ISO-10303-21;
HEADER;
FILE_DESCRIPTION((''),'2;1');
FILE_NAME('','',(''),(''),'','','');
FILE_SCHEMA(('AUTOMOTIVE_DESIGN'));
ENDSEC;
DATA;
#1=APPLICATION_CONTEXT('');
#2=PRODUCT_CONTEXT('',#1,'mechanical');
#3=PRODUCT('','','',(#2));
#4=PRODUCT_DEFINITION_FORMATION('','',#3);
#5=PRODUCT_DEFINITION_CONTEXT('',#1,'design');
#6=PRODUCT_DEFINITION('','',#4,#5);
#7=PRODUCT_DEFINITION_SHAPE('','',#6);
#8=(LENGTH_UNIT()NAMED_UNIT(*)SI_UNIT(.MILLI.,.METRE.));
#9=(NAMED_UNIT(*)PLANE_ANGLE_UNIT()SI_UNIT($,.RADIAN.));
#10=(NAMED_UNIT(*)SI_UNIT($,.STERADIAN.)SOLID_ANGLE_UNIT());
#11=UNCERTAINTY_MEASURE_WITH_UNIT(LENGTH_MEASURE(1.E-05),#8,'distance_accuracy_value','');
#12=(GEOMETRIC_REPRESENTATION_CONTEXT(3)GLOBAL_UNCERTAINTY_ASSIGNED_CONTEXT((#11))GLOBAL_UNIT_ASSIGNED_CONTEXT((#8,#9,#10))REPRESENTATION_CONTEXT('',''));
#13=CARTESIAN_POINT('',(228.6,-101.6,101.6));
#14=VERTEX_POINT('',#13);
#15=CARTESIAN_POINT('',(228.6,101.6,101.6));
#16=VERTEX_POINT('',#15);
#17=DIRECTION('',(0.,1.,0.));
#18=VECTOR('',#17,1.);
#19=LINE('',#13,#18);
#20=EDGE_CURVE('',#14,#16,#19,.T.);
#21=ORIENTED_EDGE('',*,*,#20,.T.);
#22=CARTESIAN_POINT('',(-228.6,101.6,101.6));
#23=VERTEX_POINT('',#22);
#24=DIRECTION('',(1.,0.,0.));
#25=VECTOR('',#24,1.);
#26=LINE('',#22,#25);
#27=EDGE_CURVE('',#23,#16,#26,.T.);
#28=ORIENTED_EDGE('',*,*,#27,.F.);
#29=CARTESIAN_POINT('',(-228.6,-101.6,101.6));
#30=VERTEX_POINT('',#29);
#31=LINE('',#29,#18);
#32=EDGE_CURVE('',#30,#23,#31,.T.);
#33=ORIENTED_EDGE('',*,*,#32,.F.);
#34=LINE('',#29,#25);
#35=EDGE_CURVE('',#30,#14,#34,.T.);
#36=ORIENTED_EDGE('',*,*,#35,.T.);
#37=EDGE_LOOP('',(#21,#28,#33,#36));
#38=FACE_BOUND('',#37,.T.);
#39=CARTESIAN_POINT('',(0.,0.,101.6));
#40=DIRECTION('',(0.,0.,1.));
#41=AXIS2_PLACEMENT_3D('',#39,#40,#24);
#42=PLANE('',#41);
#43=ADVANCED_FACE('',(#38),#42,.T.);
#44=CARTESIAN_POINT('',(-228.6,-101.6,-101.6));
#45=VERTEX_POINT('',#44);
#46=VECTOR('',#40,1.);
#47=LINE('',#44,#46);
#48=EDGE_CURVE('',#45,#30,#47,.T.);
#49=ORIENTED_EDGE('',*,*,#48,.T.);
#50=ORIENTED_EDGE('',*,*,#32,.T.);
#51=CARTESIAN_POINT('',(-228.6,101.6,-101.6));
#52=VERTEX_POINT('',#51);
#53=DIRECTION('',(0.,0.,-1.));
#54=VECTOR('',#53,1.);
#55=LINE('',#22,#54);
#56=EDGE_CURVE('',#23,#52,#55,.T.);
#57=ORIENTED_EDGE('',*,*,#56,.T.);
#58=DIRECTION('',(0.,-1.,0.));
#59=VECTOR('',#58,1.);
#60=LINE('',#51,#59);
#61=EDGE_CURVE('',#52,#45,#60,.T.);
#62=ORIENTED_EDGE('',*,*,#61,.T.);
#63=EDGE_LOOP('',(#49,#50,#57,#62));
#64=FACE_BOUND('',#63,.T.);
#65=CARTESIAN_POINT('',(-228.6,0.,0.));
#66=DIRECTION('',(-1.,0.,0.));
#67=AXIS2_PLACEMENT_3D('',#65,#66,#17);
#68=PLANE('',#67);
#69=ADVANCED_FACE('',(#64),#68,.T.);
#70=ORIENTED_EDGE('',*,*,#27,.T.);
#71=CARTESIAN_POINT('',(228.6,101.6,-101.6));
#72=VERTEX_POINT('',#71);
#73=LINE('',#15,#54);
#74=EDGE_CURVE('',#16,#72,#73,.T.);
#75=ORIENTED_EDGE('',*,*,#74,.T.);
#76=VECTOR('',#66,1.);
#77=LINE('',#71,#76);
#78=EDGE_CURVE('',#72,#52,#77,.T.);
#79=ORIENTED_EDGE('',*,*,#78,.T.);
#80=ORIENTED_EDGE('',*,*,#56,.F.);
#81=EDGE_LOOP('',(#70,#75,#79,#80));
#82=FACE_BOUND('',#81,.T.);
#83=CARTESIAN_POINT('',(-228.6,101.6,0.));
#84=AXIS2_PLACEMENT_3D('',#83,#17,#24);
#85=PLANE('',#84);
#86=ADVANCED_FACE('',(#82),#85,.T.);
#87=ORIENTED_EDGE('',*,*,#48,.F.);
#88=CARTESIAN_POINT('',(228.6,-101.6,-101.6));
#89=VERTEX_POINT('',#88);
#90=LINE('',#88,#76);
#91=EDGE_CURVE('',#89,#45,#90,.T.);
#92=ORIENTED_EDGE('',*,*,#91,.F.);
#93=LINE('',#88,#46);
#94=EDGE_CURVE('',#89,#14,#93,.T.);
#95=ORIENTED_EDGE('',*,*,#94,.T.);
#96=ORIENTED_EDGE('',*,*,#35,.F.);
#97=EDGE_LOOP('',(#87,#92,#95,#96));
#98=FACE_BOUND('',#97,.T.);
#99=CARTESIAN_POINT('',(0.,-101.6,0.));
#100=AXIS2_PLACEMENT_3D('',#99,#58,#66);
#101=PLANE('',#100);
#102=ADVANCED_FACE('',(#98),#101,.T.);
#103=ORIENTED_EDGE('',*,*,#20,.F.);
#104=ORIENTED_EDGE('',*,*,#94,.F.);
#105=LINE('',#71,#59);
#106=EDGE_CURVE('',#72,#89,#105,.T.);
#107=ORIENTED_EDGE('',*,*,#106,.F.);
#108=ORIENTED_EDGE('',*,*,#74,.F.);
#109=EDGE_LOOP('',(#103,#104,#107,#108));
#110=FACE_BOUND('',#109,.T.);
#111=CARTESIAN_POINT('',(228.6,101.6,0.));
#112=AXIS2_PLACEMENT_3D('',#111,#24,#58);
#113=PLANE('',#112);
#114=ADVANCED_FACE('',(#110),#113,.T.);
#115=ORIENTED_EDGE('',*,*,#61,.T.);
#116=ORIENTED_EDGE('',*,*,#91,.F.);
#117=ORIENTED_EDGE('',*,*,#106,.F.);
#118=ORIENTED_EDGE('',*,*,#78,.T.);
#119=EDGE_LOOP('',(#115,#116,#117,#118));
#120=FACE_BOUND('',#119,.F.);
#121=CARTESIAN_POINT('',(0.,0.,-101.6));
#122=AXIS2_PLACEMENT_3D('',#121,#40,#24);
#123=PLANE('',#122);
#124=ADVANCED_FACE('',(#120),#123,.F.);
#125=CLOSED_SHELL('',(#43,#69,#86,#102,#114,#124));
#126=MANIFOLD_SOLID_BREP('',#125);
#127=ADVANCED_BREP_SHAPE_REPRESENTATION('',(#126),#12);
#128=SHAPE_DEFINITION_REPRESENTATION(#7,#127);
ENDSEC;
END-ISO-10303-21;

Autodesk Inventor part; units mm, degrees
ref_plane "YZ Plane" through (0, 0, 0) normal (1, 0, 0) x (0, 1, 0)
ref_plane "XZ Plane" through (0, 0, 0) normal (0, 1, 0) x (-1, 0, 0)
ref_plane "XY Plane" through (0, 0, 0) normal (0, 0, 1) x (1, 0, 0)
sketch "Sketch1" plane through (0, 0, 0) normal (0, 0, 1) x (1, 0, 0)
  line L0 (-320.04, 0) -> (320.04, 0) projected
  line L1 (0, -142.24) -> (0, 142.24) projected
  line L2 (-228.6, 101.6) -> (228.6, 101.6)
  line L3 (228.6, 101.6) -> (228.6, -101.6)
  line L4 (228.6, -101.6) -> (-228.6, -101.6)
  line L5 (-228.6, -101.6) -> (-228.6, 101.6)
  point P0 (0, 0)
  point P1 (0, 101.6)
  point P2 (-228.6, 0)
  dimension "d0" = 203.2
  dimension "d1" = 457.2
extrude "Extrusion1" add sketch "Sketch1" along normal mid plane 203.2
properties part number "payload" material "Wood (Cherry)"
